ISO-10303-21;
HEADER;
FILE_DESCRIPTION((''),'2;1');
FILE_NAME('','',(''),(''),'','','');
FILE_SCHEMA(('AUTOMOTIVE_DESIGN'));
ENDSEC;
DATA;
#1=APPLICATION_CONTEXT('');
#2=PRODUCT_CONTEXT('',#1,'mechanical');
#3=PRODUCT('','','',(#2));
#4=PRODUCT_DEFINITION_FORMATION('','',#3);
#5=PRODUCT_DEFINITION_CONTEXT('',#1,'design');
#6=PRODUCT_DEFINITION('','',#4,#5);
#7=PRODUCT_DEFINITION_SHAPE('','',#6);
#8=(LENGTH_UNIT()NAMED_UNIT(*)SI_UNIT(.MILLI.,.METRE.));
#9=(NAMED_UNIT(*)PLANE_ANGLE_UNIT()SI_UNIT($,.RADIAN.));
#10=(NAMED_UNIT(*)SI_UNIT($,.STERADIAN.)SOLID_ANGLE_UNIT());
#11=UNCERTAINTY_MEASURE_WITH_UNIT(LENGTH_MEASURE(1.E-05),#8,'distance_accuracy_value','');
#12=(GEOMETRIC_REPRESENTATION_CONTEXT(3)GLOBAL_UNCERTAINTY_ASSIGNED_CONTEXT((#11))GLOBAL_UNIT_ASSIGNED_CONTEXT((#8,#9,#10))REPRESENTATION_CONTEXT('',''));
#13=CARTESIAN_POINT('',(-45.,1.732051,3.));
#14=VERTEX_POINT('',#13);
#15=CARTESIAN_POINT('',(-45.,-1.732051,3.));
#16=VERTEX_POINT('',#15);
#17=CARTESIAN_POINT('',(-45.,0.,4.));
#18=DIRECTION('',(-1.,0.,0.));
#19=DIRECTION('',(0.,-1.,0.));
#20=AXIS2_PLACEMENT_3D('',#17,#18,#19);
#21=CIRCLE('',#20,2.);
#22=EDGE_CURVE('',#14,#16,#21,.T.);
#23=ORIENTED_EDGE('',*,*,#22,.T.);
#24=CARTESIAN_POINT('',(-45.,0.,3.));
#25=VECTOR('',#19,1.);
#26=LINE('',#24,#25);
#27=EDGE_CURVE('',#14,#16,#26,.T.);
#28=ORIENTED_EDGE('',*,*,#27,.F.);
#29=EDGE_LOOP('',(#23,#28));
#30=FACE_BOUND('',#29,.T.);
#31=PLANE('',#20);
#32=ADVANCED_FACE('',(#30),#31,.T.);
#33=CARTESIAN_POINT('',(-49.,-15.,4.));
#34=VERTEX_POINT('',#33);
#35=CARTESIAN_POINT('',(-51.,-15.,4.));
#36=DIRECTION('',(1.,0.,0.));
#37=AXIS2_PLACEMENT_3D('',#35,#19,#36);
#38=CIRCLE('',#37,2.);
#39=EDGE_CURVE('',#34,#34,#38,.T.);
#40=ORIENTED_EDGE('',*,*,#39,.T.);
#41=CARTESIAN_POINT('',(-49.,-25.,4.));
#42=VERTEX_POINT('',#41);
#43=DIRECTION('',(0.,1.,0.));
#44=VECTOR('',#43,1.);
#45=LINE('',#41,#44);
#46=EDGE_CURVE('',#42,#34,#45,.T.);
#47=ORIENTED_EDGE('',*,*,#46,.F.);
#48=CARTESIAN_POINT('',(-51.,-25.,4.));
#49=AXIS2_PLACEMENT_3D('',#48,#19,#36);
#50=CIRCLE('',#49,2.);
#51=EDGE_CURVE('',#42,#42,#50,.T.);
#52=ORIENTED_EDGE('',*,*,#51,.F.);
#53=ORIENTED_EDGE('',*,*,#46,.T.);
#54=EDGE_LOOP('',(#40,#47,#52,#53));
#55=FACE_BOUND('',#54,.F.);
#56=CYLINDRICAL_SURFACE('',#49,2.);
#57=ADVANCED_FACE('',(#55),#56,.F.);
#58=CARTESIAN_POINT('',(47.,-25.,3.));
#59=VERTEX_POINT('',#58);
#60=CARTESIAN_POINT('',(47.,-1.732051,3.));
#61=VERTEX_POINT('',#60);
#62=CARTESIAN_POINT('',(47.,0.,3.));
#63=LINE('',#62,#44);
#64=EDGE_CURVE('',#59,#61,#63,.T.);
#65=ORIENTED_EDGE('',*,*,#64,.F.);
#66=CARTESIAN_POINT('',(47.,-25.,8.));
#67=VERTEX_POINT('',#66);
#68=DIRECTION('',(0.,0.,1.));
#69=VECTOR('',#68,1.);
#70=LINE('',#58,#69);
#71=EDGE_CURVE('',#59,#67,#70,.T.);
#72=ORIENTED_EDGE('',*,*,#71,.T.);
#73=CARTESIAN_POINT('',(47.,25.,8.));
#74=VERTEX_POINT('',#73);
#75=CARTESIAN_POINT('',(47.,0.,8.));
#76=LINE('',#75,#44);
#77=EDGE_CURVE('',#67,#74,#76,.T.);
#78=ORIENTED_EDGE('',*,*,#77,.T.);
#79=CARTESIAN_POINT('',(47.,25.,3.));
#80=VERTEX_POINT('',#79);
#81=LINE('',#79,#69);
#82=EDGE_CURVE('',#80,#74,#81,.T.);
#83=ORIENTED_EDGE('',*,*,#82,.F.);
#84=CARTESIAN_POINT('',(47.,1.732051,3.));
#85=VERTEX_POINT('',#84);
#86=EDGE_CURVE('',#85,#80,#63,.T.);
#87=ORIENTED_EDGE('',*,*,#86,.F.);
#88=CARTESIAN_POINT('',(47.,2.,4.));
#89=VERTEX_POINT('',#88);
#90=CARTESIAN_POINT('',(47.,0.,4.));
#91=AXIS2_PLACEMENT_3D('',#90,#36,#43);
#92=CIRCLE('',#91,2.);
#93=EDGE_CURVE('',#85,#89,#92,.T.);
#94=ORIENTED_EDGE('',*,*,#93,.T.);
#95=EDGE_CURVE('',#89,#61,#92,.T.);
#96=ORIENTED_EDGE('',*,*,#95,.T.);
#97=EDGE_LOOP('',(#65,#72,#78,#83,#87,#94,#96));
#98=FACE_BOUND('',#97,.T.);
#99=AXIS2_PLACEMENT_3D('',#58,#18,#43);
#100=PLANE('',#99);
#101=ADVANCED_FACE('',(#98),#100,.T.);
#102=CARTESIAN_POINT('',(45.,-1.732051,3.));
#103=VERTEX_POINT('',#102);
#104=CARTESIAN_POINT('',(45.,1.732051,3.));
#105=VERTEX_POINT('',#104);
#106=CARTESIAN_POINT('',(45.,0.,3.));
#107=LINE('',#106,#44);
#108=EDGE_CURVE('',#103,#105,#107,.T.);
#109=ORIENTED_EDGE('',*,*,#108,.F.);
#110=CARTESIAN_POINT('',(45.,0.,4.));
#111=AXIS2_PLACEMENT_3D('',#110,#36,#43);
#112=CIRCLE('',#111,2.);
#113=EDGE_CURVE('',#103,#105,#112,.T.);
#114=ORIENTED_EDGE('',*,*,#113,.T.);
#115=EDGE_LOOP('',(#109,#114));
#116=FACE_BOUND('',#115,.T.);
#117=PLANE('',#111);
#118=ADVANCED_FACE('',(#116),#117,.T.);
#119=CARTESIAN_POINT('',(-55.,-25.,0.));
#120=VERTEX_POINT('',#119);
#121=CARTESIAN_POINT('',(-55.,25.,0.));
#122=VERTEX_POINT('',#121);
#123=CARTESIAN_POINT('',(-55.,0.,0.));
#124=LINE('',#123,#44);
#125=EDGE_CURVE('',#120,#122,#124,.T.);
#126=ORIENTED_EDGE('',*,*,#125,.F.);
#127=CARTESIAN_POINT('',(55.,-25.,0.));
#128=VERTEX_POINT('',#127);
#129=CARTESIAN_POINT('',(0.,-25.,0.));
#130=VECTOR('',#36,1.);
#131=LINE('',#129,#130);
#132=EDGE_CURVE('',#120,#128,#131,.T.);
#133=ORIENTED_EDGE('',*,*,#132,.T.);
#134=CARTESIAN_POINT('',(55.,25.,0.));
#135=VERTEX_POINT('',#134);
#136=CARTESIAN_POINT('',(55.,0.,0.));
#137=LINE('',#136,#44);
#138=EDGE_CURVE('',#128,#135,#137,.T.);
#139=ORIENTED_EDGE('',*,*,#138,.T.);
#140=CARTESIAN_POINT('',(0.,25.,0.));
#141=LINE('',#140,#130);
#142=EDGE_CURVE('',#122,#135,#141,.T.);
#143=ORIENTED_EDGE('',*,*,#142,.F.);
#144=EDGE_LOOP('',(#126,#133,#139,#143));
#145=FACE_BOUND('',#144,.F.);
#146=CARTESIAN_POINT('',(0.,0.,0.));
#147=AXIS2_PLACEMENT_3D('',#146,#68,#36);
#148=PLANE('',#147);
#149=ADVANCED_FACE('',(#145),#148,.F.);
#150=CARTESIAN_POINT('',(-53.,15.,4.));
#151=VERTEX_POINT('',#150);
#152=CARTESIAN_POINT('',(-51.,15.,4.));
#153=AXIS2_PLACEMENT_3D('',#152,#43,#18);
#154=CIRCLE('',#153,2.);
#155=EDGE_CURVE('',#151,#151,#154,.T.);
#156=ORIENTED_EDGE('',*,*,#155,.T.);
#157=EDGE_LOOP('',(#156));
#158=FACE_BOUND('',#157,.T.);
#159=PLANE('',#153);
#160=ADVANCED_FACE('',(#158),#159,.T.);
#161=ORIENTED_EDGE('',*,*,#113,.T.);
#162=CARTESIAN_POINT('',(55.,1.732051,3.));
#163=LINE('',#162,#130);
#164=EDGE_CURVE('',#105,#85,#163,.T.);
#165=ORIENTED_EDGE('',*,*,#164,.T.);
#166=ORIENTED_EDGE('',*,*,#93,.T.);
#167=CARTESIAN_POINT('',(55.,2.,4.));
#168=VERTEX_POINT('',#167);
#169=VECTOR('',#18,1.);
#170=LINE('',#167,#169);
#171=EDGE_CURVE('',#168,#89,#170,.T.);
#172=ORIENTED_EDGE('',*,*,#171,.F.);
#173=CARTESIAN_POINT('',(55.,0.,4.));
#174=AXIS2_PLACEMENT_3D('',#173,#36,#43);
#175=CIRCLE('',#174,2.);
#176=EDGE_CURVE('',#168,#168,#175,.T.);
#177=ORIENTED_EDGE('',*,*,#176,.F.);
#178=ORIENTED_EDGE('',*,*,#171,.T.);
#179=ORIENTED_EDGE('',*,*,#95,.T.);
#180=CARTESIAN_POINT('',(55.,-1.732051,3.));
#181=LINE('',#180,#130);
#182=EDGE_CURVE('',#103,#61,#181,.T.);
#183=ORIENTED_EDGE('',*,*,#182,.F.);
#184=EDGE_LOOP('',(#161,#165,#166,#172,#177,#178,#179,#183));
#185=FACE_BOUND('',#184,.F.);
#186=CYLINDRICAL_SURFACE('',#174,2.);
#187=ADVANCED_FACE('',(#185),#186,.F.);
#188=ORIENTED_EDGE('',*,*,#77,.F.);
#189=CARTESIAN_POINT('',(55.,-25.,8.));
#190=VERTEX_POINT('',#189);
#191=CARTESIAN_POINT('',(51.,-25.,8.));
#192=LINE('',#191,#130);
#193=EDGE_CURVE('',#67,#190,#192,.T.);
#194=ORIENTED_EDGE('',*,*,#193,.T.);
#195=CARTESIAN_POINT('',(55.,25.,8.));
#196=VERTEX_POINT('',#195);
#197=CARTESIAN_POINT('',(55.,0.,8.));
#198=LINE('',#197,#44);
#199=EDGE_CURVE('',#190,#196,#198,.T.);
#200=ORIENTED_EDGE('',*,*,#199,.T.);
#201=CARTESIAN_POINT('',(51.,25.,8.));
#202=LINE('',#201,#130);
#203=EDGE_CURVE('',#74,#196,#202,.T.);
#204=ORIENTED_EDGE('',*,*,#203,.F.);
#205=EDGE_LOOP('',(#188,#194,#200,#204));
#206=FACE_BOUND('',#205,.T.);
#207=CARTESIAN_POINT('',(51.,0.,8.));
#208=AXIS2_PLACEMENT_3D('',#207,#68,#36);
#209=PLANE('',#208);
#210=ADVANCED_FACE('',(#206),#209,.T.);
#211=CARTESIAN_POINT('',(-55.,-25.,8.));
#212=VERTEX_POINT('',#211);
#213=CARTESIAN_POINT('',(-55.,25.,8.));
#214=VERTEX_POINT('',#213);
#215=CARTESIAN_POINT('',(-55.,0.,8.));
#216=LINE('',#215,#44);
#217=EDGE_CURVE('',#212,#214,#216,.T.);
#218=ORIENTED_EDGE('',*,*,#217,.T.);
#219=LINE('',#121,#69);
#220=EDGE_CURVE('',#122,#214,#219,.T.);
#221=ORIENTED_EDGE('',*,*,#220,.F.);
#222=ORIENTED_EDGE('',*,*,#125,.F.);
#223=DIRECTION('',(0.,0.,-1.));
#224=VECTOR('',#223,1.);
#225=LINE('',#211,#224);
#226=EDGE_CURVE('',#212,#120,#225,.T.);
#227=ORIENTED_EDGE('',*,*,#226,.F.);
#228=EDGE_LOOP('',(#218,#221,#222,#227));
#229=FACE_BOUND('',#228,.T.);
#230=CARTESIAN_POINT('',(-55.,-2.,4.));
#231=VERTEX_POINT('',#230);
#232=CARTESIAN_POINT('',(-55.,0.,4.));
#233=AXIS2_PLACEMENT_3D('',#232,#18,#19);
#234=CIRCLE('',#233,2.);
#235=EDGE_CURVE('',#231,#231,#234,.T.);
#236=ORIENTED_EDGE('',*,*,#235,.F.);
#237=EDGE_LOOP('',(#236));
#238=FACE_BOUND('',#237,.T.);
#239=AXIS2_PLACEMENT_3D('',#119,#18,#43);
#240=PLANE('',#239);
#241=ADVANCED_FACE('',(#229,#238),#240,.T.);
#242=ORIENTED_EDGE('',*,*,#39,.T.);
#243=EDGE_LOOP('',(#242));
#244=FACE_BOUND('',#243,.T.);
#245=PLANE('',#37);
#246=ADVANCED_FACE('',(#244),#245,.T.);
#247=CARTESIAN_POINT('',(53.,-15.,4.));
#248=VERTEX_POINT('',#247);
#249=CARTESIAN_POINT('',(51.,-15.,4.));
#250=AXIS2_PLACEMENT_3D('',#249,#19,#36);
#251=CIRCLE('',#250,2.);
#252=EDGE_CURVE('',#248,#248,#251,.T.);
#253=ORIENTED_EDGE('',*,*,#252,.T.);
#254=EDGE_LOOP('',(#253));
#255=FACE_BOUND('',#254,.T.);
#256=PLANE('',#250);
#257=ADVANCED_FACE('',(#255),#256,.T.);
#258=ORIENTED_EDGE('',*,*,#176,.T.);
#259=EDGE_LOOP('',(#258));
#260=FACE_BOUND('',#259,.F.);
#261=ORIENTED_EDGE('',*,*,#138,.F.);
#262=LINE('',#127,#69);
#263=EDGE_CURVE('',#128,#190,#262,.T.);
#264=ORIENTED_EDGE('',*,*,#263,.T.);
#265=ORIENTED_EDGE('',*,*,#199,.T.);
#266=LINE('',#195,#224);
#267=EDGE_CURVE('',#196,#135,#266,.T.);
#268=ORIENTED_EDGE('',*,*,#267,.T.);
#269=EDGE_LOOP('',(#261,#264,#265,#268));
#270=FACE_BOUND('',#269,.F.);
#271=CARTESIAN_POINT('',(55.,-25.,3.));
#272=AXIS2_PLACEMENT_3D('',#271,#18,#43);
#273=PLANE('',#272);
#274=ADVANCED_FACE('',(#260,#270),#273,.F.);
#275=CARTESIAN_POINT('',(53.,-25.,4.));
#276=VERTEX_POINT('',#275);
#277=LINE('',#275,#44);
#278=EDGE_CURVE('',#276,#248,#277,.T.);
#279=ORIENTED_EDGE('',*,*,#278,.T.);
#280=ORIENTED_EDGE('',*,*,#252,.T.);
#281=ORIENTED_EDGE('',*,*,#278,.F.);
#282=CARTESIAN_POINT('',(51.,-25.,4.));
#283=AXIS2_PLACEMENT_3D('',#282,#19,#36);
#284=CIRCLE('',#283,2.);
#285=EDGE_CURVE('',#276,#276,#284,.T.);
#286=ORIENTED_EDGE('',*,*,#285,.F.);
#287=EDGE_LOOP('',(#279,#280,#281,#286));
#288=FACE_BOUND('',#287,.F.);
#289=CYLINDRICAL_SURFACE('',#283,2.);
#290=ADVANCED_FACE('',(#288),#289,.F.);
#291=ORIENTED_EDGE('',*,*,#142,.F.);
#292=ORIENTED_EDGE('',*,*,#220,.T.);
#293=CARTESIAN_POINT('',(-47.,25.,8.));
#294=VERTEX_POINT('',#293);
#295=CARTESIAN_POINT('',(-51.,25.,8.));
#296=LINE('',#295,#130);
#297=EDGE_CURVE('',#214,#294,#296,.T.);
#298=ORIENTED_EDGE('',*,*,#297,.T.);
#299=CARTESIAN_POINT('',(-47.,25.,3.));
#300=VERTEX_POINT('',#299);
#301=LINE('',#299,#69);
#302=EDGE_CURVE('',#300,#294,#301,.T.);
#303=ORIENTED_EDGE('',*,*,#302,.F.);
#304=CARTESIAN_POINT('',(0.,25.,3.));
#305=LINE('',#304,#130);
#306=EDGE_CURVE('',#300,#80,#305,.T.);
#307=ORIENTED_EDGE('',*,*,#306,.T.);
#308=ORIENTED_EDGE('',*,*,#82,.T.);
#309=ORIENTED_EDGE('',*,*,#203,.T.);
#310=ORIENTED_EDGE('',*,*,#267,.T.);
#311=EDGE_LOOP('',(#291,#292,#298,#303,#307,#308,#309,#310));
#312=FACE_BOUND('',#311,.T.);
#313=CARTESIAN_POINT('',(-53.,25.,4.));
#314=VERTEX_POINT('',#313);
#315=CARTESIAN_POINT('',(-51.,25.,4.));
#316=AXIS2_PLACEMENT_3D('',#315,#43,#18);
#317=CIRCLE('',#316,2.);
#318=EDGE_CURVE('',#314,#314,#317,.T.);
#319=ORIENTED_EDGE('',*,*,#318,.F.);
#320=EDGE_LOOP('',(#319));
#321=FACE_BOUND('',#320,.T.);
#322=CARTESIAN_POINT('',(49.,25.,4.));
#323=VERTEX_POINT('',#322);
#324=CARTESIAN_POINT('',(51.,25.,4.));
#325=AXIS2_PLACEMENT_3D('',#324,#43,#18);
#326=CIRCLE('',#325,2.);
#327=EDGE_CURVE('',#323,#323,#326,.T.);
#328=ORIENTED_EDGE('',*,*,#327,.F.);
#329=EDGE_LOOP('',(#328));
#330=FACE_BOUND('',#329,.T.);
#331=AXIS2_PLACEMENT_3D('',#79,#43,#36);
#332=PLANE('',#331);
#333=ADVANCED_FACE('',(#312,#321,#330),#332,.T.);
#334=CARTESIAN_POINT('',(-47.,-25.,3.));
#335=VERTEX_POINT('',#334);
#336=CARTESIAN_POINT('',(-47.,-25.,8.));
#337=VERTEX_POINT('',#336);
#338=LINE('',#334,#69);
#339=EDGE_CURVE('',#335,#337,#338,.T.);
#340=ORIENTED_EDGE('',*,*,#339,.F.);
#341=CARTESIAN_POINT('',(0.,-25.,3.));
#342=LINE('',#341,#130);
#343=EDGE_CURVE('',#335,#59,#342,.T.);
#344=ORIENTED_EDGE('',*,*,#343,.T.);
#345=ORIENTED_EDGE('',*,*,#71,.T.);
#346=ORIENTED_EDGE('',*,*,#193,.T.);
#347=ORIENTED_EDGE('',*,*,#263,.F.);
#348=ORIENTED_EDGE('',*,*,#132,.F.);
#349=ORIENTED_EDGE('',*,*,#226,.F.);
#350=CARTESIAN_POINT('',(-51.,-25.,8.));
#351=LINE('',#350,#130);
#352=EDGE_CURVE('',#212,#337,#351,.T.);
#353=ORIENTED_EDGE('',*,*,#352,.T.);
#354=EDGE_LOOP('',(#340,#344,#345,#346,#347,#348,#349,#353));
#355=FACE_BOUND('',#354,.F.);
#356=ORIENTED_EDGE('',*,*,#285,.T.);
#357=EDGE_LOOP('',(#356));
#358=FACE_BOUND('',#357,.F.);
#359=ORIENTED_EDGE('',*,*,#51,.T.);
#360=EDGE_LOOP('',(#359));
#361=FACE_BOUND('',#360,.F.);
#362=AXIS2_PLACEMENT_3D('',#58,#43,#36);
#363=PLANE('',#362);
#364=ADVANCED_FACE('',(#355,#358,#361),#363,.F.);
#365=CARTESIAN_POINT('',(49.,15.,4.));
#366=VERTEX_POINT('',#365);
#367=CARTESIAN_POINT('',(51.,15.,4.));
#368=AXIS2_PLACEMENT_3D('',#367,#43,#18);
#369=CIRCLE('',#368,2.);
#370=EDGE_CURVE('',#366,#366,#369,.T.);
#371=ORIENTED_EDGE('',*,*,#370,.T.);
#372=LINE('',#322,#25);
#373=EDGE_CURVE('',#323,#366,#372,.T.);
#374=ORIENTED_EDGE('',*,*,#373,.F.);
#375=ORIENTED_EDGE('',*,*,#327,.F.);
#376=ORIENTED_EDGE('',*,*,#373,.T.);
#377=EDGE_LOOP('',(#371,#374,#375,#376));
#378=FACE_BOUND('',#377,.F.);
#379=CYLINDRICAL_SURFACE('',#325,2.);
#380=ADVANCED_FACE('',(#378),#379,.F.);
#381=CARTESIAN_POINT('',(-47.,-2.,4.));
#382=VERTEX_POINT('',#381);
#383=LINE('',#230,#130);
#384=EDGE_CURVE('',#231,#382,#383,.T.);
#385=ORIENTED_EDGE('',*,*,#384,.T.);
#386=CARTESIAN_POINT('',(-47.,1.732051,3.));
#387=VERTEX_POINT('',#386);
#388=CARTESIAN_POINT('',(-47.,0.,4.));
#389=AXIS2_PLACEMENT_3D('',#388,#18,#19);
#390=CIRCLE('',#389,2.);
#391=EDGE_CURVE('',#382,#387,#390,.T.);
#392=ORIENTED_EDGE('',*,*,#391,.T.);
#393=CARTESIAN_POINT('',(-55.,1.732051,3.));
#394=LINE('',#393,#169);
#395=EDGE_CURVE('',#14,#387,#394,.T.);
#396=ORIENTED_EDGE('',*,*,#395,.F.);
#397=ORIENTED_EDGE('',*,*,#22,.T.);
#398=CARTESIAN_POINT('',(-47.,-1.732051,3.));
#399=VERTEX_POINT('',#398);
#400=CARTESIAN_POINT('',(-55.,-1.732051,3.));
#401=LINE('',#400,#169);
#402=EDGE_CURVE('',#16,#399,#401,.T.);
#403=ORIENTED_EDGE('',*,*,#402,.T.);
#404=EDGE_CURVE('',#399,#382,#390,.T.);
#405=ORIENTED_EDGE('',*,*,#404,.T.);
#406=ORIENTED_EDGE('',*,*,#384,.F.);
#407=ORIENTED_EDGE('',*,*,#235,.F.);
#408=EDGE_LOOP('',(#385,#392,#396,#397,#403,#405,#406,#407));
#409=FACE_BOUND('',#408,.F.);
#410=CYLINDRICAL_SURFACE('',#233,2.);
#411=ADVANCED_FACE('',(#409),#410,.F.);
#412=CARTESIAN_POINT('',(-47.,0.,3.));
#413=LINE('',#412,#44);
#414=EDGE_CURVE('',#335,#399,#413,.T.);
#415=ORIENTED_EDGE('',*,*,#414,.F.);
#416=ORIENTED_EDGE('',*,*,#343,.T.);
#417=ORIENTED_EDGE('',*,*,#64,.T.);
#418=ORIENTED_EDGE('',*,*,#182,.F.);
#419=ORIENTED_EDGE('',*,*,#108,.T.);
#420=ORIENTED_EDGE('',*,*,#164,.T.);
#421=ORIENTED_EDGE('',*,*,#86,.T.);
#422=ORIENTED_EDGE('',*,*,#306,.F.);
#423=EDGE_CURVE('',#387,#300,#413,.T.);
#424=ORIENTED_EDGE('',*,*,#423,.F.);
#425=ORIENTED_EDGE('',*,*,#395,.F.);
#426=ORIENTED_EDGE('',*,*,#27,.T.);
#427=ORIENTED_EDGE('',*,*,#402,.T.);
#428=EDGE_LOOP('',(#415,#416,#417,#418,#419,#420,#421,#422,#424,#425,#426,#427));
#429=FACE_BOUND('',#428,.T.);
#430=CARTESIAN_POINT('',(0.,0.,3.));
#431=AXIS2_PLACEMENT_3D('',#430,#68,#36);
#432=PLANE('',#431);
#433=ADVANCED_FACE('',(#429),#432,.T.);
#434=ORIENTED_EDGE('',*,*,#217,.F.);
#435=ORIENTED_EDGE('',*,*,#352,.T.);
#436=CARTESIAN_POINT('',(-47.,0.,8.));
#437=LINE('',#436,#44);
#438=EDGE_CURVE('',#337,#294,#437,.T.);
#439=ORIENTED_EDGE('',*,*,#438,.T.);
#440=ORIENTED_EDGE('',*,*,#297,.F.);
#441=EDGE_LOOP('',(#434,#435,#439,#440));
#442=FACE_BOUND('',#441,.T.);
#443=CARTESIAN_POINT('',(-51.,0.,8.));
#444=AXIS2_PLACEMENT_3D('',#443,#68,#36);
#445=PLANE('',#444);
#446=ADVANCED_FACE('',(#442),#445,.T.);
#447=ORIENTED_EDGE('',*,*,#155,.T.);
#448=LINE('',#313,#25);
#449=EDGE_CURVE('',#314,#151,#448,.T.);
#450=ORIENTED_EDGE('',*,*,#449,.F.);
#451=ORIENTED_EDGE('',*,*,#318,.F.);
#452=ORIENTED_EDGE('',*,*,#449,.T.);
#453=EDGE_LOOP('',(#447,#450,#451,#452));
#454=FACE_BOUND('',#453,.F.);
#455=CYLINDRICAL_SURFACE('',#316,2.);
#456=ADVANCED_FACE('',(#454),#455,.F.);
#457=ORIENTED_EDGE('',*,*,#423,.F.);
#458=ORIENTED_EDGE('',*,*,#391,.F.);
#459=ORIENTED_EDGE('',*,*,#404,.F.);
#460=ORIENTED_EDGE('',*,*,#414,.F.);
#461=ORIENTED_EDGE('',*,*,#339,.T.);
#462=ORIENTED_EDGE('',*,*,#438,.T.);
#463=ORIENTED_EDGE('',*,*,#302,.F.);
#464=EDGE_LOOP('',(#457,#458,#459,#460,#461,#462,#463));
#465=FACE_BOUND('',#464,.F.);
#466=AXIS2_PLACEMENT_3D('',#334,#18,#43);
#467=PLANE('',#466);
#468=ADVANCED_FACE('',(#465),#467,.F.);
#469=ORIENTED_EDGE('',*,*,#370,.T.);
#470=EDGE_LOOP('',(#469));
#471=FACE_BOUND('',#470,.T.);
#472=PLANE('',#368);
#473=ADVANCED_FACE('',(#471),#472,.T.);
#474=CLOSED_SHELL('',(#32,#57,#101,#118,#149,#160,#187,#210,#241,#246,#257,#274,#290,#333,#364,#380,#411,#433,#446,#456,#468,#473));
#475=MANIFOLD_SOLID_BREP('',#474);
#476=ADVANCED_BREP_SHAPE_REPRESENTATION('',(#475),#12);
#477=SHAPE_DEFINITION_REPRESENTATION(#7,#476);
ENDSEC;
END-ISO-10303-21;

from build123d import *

# Parameters (mm, degrees)
SKETCH_W        = 110
SKETCH_H        = 50
PAD_DEPTH       = 3
SKETCH001_W     = 8
SKETCH001_H     = 50
PAD001_DEPTH    = 5
SKETCH002_R     = 2
POCKET_DEPTH    = 10
SKETCH003_R     = 2
POCKET001_DEPTH = 10
SKETCH004_R     = 2
POCKET002_DEPTH = 10
SKETCH005_R     = 2
POCKET003_DEPTH = 10


with BuildPart() as part:
    # Sketch → Pad (new body)
    with BuildSketch(Plane.XY):
        Rectangle(SKETCH_W, SKETCH_H)
    extrude(amount=PAD_DEPTH)

    # Sketch001 (on Face6 of Pad) → Pad001 (join)
    with BuildSketch(Plane.XY.offset(3)):
        with Locations((51, 0)):
            Rectangle(SKETCH001_W, SKETCH001_H)
        with Locations((-51, 0)):
            Rectangle(SKETCH001_W, SKETCH001_H)
    extrude(amount=PAD001_DEPTH)

    # Sketch002 (on Face5 of Pad001) → Pocket (cut)
    with BuildSketch(Plane(origin=(0, 25, 0), x_dir=(-1, 0, 0), z_dir=(0, 1, 0))):
        with Locations((51, 4)):
            Circle(SKETCH002_R)
        with Locations((-51, 4)):
            Circle(SKETCH002_R)
    extrude(amount=-POCKET_DEPTH, mode=Mode.SUBTRACT)

    # Sketch003 (on Face20 of Pocket) → Pocket001 (cut)
    with BuildSketch(Plane.XZ.offset(25)):
        with Locations((-51, 4)):
            Circle(SKETCH003_R)
        with Locations((51, 4)):
            Circle(SKETCH003_R)
    extrude(amount=-POCKET001_DEPTH, mode=Mode.SUBTRACT)

    # Sketch004 (on Face17 of Pocket001) → Pocket002 (cut)
    with BuildSketch(Plane(origin=(-55, 0, 0), x_dir=(0, -1, 0), z_dir=(-1, 0, 0))):
        with Locations((0, 4)):
            Circle(SKETCH004_R)
    extrude(amount=-POCKET002_DEPTH, mode=Mode.SUBTRACT)

    # Sketch005 (on Face11 of Pocket002) → Pocket003 (cut)
    with BuildSketch(Plane.YZ.offset(55)):
        with Locations((0, 4)):
            Circle(SKETCH005_R)
    extrude(amount=-POCKET003_DEPTH, mode=Mode.SUBTRACT)


solid = part.part
